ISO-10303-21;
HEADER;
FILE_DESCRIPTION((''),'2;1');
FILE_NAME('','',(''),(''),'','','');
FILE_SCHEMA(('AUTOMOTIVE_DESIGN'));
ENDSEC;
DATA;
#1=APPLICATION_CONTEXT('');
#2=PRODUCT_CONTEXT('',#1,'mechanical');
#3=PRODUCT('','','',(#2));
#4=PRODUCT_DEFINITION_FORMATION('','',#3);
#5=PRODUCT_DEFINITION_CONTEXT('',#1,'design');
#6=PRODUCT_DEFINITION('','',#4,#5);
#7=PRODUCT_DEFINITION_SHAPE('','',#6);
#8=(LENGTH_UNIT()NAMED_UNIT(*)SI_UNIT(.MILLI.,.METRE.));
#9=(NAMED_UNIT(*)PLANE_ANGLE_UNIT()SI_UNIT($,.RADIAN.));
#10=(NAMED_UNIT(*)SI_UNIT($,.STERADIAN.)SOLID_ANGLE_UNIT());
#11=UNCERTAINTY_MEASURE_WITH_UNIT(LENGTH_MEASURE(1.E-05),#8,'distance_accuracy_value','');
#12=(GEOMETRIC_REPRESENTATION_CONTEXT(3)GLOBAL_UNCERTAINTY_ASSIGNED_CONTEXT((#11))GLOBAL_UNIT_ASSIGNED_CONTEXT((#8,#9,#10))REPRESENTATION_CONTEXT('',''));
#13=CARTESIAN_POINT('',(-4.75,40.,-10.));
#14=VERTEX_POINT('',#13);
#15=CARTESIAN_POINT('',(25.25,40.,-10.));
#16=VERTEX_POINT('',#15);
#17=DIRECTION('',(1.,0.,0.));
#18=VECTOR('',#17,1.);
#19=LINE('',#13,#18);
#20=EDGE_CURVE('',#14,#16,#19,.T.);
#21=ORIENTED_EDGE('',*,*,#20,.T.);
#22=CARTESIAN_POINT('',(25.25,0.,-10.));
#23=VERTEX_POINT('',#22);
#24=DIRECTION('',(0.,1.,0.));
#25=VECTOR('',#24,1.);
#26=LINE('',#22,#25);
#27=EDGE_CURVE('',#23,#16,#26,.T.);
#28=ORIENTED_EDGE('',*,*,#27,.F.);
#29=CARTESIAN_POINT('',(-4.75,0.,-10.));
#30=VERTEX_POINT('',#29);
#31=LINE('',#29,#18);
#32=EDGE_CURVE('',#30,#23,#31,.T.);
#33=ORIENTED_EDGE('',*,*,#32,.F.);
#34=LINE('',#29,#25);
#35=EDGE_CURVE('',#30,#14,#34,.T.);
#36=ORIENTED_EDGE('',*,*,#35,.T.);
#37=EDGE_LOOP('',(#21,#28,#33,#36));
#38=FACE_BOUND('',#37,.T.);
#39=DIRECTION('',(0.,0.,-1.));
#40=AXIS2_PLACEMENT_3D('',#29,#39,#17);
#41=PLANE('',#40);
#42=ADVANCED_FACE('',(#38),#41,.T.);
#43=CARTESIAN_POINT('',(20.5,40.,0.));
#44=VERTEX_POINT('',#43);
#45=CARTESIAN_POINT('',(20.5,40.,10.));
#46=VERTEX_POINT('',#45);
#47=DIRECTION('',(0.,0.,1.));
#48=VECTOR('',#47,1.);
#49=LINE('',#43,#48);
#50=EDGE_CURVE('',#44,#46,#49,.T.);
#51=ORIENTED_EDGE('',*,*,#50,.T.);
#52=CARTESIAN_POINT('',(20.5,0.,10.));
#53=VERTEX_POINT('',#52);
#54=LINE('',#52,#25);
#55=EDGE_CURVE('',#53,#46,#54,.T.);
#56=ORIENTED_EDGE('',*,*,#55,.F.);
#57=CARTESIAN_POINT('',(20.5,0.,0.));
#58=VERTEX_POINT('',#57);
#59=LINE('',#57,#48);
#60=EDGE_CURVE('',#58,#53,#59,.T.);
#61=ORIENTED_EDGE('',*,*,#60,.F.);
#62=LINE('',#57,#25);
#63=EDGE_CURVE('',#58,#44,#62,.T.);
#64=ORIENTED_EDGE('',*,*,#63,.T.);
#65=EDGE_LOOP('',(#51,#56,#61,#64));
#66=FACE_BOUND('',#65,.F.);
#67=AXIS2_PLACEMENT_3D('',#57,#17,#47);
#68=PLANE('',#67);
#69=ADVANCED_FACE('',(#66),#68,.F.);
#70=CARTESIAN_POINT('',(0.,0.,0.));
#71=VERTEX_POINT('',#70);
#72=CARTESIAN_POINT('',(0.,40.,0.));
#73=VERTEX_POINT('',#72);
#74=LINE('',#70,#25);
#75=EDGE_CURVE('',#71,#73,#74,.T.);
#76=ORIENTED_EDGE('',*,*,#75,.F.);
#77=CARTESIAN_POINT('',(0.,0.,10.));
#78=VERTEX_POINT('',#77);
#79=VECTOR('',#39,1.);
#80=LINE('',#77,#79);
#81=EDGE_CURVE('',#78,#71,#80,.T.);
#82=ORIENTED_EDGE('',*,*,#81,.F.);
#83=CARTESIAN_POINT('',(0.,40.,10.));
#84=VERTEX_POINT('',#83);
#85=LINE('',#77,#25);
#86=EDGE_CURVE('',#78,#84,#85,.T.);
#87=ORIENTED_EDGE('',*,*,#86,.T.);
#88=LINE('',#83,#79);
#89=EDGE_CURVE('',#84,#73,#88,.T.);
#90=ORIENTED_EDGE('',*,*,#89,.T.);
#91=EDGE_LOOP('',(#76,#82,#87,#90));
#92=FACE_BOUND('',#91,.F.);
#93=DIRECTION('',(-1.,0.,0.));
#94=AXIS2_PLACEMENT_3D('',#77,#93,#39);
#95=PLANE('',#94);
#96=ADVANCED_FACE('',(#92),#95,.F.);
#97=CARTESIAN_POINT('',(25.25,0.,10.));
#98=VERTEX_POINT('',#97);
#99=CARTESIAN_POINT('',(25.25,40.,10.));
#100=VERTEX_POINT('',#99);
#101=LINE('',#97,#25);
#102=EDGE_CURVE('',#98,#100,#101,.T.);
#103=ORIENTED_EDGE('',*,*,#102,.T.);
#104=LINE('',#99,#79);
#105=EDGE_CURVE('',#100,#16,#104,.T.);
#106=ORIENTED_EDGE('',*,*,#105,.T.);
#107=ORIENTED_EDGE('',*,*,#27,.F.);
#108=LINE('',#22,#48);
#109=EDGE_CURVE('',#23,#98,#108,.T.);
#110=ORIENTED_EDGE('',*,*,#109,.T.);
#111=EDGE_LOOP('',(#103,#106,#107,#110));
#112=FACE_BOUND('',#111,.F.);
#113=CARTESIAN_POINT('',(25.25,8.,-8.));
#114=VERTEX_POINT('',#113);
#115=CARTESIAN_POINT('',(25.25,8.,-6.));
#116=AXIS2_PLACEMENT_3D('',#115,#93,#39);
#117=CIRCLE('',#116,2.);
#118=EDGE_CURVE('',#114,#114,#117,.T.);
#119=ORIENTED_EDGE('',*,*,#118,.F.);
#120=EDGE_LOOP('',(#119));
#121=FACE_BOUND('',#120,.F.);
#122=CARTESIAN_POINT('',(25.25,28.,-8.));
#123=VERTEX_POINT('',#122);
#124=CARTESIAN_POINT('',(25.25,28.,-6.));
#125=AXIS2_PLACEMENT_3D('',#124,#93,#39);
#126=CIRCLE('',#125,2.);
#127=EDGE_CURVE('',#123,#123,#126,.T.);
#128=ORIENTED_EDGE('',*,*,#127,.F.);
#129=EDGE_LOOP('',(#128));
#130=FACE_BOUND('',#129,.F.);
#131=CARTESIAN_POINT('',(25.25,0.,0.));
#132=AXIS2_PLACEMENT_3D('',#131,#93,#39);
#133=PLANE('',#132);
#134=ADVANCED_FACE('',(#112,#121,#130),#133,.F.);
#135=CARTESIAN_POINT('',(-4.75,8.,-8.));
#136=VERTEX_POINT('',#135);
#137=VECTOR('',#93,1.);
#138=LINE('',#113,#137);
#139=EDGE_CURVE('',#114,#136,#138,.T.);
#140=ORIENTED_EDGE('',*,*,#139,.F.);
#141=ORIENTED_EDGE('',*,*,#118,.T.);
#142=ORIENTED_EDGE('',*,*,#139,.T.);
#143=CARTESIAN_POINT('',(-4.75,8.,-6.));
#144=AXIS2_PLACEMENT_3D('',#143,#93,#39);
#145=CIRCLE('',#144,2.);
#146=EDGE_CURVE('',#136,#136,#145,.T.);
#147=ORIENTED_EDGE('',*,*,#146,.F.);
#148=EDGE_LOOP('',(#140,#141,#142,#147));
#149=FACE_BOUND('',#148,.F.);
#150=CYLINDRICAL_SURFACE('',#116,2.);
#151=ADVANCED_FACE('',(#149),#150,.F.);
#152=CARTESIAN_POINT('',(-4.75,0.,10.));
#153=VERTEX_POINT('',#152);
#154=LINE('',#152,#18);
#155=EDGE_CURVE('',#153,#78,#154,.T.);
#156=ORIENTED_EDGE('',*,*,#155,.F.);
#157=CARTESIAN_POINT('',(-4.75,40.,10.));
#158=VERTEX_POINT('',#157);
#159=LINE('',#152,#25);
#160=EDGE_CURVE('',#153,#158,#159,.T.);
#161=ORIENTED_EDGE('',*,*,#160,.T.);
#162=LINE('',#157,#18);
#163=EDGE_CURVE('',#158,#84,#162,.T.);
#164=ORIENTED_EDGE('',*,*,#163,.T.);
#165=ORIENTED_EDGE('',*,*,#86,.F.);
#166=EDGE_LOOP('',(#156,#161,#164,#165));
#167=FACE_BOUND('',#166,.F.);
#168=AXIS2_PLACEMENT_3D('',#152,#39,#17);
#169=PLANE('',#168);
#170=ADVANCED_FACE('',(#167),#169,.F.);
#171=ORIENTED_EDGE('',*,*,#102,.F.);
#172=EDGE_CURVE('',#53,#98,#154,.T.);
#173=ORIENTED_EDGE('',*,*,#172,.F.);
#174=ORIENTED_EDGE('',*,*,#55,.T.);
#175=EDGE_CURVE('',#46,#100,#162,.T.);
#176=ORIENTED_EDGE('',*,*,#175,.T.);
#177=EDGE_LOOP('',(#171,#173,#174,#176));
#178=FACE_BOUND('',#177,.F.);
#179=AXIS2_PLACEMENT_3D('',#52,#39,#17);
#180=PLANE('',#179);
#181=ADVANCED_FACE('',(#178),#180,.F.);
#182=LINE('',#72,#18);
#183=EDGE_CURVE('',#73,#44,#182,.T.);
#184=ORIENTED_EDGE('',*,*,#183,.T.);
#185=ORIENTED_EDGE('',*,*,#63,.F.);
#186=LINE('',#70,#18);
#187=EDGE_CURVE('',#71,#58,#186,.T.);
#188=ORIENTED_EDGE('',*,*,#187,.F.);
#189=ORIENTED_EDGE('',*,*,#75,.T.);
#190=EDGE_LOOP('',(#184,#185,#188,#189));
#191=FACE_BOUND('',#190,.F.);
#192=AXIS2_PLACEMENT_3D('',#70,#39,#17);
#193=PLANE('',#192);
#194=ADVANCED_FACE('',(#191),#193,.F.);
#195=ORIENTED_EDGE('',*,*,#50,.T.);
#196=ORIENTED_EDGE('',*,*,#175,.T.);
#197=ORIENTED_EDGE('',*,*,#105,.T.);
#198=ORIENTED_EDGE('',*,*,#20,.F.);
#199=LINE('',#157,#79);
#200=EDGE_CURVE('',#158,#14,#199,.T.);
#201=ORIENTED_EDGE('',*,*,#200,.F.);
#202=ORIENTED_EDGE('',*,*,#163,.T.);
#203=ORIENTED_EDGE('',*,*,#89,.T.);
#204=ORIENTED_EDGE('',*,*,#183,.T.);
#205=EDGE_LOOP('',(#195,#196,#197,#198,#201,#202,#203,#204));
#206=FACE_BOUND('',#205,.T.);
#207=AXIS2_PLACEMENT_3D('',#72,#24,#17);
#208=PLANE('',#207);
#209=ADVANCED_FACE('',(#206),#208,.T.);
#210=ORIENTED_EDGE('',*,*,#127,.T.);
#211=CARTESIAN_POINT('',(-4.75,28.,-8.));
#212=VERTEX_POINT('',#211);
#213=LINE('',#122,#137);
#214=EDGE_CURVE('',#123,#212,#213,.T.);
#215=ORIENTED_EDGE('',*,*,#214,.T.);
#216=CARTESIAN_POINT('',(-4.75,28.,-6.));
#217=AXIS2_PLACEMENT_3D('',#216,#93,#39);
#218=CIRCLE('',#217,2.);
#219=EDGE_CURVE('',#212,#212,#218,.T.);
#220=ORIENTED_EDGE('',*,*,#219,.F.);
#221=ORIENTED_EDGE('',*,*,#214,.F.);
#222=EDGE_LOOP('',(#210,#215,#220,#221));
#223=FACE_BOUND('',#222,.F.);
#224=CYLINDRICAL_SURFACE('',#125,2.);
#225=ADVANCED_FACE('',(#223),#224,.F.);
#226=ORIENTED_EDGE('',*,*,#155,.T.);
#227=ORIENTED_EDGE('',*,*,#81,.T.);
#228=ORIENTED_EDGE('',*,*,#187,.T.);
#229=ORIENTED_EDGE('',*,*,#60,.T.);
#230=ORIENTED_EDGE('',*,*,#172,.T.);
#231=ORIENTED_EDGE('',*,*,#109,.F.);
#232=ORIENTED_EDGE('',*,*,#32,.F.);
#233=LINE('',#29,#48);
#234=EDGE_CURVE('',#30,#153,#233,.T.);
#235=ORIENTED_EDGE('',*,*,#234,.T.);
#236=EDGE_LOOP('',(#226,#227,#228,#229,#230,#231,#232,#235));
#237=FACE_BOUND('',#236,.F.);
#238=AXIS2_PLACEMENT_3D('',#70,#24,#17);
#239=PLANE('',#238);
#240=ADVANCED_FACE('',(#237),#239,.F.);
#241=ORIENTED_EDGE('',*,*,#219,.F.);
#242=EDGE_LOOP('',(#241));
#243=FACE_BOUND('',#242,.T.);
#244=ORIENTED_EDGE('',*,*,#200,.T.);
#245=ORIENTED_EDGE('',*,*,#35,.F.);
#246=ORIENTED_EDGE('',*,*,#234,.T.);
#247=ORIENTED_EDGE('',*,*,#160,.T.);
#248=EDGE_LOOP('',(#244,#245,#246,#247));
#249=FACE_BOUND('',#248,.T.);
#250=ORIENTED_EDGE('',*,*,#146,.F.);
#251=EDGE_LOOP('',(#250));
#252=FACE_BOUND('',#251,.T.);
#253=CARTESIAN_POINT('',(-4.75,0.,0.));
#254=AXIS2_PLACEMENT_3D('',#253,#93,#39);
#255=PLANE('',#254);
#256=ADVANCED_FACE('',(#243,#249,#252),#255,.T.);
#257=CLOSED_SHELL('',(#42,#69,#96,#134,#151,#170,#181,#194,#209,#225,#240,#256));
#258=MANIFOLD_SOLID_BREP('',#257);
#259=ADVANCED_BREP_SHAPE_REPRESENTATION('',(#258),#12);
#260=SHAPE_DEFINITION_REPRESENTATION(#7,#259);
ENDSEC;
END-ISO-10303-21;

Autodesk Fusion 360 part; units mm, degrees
sketch "Sketch1" plane through (0, 0, 0) normal (0, 1, 0) x (1, 0, 0)
  line L0 (0, 0) -> (20.5, 0)
  line L1 (20.5, 0) -> (20.5, -10)
  line L2 (20.5, -10) -> (0, -10)
  line L3 (0, -10) -> (0, 0)
  line L4 (25.25, 0) -> (-4.75, 0)
  line L5 (-4.75, 0) -> (-4.75, -10)
  line L6 (-4.75, -10) -> (25.25, -10)
  line L7 (25.25, -10) -> (25.25, 0)
  line L8 (25.25, 0) -> (-4.75, -10) construction
  line L9 (-4.75, 0) -> (25.25, -10) construction
  line L10 (-4.75, 0) -> (-4.75, 6)
  line L11 (-4.75, 6) -> (25.25, 6)
  line L12 (25.25, 0) -> (25.25, 6)
  line L13 (-4.75, 6) -> (-4.75, 10)
  line L14 (-4.75, 10) -> (25.25, 10)
  line L15 (25.25, 10) -> (25.25, 6)
  line L16 (10.25, 0) -> (10.25, 10) construction
  line L17 (10.25, 0) -> (10.25, 2) construction
  line L18 (10.25, 2) -> (17.25, 2) construction
  line L19 (17.25, 2) -> (10.25, 2) construction
  line L20 (10.25, 2) -> (3.25, 2) construction
  circle A0 centre (3.25, 4) radius 2
  circle A1 centre (17.25, 4) radius 2
  point P0 (10.25, -5)
  dimension "d1" = 20.5
  dimension "d2" = 10
  dimension "d3" = 30
  dimension "d4" = 10
  dimension "d5" = 6
  dimension "d6" = 2
  dimension "d7" = 7
  dimension "d8" = 7
  dimension "d9" = 4
extrude "Extrude1" add sketch "Sketch1" along normal blind 40 contours L0 L4 L10 L11 L12 | L3 L4 L5 L6 | L1 L4 L6 L7 | L11 L13 L14 L15
sketch "Boceto3" plane through (25.25, 0, 0) normal (1, 0, 0) x (0, 1, 0)
  line L0 (0, 10) -> (0, -10)
  line L1 (0, -10) -> (40, -10)
  line L2 (40, -10) -> (40, 10)
  line L3 (40, 10) -> (0, 10)
  line L4 (0, -10) -> (0, -6)
  circle A0 centre (28, -6) radius 2
  circle A1 centre (8, -6) radius 2
  dimension "d12" = 4
  dimension "d13" = 4
  dimension "d14" = 4
delete_face "SuprimirCaras1" 2 faces at (5.2476, 26.6667, -3.9019) (4.4101, 26.6667, -5.6292)
delete_face "SuprimirCaras2" 1 faces at (19.2401, 13.3333, -3.8009)
hole "Agujero1" at (25.25, 8, -6) at (25.25, 28, -6) direction (-1, 0, 0) diameter 4 depth 36 tip angle 180
